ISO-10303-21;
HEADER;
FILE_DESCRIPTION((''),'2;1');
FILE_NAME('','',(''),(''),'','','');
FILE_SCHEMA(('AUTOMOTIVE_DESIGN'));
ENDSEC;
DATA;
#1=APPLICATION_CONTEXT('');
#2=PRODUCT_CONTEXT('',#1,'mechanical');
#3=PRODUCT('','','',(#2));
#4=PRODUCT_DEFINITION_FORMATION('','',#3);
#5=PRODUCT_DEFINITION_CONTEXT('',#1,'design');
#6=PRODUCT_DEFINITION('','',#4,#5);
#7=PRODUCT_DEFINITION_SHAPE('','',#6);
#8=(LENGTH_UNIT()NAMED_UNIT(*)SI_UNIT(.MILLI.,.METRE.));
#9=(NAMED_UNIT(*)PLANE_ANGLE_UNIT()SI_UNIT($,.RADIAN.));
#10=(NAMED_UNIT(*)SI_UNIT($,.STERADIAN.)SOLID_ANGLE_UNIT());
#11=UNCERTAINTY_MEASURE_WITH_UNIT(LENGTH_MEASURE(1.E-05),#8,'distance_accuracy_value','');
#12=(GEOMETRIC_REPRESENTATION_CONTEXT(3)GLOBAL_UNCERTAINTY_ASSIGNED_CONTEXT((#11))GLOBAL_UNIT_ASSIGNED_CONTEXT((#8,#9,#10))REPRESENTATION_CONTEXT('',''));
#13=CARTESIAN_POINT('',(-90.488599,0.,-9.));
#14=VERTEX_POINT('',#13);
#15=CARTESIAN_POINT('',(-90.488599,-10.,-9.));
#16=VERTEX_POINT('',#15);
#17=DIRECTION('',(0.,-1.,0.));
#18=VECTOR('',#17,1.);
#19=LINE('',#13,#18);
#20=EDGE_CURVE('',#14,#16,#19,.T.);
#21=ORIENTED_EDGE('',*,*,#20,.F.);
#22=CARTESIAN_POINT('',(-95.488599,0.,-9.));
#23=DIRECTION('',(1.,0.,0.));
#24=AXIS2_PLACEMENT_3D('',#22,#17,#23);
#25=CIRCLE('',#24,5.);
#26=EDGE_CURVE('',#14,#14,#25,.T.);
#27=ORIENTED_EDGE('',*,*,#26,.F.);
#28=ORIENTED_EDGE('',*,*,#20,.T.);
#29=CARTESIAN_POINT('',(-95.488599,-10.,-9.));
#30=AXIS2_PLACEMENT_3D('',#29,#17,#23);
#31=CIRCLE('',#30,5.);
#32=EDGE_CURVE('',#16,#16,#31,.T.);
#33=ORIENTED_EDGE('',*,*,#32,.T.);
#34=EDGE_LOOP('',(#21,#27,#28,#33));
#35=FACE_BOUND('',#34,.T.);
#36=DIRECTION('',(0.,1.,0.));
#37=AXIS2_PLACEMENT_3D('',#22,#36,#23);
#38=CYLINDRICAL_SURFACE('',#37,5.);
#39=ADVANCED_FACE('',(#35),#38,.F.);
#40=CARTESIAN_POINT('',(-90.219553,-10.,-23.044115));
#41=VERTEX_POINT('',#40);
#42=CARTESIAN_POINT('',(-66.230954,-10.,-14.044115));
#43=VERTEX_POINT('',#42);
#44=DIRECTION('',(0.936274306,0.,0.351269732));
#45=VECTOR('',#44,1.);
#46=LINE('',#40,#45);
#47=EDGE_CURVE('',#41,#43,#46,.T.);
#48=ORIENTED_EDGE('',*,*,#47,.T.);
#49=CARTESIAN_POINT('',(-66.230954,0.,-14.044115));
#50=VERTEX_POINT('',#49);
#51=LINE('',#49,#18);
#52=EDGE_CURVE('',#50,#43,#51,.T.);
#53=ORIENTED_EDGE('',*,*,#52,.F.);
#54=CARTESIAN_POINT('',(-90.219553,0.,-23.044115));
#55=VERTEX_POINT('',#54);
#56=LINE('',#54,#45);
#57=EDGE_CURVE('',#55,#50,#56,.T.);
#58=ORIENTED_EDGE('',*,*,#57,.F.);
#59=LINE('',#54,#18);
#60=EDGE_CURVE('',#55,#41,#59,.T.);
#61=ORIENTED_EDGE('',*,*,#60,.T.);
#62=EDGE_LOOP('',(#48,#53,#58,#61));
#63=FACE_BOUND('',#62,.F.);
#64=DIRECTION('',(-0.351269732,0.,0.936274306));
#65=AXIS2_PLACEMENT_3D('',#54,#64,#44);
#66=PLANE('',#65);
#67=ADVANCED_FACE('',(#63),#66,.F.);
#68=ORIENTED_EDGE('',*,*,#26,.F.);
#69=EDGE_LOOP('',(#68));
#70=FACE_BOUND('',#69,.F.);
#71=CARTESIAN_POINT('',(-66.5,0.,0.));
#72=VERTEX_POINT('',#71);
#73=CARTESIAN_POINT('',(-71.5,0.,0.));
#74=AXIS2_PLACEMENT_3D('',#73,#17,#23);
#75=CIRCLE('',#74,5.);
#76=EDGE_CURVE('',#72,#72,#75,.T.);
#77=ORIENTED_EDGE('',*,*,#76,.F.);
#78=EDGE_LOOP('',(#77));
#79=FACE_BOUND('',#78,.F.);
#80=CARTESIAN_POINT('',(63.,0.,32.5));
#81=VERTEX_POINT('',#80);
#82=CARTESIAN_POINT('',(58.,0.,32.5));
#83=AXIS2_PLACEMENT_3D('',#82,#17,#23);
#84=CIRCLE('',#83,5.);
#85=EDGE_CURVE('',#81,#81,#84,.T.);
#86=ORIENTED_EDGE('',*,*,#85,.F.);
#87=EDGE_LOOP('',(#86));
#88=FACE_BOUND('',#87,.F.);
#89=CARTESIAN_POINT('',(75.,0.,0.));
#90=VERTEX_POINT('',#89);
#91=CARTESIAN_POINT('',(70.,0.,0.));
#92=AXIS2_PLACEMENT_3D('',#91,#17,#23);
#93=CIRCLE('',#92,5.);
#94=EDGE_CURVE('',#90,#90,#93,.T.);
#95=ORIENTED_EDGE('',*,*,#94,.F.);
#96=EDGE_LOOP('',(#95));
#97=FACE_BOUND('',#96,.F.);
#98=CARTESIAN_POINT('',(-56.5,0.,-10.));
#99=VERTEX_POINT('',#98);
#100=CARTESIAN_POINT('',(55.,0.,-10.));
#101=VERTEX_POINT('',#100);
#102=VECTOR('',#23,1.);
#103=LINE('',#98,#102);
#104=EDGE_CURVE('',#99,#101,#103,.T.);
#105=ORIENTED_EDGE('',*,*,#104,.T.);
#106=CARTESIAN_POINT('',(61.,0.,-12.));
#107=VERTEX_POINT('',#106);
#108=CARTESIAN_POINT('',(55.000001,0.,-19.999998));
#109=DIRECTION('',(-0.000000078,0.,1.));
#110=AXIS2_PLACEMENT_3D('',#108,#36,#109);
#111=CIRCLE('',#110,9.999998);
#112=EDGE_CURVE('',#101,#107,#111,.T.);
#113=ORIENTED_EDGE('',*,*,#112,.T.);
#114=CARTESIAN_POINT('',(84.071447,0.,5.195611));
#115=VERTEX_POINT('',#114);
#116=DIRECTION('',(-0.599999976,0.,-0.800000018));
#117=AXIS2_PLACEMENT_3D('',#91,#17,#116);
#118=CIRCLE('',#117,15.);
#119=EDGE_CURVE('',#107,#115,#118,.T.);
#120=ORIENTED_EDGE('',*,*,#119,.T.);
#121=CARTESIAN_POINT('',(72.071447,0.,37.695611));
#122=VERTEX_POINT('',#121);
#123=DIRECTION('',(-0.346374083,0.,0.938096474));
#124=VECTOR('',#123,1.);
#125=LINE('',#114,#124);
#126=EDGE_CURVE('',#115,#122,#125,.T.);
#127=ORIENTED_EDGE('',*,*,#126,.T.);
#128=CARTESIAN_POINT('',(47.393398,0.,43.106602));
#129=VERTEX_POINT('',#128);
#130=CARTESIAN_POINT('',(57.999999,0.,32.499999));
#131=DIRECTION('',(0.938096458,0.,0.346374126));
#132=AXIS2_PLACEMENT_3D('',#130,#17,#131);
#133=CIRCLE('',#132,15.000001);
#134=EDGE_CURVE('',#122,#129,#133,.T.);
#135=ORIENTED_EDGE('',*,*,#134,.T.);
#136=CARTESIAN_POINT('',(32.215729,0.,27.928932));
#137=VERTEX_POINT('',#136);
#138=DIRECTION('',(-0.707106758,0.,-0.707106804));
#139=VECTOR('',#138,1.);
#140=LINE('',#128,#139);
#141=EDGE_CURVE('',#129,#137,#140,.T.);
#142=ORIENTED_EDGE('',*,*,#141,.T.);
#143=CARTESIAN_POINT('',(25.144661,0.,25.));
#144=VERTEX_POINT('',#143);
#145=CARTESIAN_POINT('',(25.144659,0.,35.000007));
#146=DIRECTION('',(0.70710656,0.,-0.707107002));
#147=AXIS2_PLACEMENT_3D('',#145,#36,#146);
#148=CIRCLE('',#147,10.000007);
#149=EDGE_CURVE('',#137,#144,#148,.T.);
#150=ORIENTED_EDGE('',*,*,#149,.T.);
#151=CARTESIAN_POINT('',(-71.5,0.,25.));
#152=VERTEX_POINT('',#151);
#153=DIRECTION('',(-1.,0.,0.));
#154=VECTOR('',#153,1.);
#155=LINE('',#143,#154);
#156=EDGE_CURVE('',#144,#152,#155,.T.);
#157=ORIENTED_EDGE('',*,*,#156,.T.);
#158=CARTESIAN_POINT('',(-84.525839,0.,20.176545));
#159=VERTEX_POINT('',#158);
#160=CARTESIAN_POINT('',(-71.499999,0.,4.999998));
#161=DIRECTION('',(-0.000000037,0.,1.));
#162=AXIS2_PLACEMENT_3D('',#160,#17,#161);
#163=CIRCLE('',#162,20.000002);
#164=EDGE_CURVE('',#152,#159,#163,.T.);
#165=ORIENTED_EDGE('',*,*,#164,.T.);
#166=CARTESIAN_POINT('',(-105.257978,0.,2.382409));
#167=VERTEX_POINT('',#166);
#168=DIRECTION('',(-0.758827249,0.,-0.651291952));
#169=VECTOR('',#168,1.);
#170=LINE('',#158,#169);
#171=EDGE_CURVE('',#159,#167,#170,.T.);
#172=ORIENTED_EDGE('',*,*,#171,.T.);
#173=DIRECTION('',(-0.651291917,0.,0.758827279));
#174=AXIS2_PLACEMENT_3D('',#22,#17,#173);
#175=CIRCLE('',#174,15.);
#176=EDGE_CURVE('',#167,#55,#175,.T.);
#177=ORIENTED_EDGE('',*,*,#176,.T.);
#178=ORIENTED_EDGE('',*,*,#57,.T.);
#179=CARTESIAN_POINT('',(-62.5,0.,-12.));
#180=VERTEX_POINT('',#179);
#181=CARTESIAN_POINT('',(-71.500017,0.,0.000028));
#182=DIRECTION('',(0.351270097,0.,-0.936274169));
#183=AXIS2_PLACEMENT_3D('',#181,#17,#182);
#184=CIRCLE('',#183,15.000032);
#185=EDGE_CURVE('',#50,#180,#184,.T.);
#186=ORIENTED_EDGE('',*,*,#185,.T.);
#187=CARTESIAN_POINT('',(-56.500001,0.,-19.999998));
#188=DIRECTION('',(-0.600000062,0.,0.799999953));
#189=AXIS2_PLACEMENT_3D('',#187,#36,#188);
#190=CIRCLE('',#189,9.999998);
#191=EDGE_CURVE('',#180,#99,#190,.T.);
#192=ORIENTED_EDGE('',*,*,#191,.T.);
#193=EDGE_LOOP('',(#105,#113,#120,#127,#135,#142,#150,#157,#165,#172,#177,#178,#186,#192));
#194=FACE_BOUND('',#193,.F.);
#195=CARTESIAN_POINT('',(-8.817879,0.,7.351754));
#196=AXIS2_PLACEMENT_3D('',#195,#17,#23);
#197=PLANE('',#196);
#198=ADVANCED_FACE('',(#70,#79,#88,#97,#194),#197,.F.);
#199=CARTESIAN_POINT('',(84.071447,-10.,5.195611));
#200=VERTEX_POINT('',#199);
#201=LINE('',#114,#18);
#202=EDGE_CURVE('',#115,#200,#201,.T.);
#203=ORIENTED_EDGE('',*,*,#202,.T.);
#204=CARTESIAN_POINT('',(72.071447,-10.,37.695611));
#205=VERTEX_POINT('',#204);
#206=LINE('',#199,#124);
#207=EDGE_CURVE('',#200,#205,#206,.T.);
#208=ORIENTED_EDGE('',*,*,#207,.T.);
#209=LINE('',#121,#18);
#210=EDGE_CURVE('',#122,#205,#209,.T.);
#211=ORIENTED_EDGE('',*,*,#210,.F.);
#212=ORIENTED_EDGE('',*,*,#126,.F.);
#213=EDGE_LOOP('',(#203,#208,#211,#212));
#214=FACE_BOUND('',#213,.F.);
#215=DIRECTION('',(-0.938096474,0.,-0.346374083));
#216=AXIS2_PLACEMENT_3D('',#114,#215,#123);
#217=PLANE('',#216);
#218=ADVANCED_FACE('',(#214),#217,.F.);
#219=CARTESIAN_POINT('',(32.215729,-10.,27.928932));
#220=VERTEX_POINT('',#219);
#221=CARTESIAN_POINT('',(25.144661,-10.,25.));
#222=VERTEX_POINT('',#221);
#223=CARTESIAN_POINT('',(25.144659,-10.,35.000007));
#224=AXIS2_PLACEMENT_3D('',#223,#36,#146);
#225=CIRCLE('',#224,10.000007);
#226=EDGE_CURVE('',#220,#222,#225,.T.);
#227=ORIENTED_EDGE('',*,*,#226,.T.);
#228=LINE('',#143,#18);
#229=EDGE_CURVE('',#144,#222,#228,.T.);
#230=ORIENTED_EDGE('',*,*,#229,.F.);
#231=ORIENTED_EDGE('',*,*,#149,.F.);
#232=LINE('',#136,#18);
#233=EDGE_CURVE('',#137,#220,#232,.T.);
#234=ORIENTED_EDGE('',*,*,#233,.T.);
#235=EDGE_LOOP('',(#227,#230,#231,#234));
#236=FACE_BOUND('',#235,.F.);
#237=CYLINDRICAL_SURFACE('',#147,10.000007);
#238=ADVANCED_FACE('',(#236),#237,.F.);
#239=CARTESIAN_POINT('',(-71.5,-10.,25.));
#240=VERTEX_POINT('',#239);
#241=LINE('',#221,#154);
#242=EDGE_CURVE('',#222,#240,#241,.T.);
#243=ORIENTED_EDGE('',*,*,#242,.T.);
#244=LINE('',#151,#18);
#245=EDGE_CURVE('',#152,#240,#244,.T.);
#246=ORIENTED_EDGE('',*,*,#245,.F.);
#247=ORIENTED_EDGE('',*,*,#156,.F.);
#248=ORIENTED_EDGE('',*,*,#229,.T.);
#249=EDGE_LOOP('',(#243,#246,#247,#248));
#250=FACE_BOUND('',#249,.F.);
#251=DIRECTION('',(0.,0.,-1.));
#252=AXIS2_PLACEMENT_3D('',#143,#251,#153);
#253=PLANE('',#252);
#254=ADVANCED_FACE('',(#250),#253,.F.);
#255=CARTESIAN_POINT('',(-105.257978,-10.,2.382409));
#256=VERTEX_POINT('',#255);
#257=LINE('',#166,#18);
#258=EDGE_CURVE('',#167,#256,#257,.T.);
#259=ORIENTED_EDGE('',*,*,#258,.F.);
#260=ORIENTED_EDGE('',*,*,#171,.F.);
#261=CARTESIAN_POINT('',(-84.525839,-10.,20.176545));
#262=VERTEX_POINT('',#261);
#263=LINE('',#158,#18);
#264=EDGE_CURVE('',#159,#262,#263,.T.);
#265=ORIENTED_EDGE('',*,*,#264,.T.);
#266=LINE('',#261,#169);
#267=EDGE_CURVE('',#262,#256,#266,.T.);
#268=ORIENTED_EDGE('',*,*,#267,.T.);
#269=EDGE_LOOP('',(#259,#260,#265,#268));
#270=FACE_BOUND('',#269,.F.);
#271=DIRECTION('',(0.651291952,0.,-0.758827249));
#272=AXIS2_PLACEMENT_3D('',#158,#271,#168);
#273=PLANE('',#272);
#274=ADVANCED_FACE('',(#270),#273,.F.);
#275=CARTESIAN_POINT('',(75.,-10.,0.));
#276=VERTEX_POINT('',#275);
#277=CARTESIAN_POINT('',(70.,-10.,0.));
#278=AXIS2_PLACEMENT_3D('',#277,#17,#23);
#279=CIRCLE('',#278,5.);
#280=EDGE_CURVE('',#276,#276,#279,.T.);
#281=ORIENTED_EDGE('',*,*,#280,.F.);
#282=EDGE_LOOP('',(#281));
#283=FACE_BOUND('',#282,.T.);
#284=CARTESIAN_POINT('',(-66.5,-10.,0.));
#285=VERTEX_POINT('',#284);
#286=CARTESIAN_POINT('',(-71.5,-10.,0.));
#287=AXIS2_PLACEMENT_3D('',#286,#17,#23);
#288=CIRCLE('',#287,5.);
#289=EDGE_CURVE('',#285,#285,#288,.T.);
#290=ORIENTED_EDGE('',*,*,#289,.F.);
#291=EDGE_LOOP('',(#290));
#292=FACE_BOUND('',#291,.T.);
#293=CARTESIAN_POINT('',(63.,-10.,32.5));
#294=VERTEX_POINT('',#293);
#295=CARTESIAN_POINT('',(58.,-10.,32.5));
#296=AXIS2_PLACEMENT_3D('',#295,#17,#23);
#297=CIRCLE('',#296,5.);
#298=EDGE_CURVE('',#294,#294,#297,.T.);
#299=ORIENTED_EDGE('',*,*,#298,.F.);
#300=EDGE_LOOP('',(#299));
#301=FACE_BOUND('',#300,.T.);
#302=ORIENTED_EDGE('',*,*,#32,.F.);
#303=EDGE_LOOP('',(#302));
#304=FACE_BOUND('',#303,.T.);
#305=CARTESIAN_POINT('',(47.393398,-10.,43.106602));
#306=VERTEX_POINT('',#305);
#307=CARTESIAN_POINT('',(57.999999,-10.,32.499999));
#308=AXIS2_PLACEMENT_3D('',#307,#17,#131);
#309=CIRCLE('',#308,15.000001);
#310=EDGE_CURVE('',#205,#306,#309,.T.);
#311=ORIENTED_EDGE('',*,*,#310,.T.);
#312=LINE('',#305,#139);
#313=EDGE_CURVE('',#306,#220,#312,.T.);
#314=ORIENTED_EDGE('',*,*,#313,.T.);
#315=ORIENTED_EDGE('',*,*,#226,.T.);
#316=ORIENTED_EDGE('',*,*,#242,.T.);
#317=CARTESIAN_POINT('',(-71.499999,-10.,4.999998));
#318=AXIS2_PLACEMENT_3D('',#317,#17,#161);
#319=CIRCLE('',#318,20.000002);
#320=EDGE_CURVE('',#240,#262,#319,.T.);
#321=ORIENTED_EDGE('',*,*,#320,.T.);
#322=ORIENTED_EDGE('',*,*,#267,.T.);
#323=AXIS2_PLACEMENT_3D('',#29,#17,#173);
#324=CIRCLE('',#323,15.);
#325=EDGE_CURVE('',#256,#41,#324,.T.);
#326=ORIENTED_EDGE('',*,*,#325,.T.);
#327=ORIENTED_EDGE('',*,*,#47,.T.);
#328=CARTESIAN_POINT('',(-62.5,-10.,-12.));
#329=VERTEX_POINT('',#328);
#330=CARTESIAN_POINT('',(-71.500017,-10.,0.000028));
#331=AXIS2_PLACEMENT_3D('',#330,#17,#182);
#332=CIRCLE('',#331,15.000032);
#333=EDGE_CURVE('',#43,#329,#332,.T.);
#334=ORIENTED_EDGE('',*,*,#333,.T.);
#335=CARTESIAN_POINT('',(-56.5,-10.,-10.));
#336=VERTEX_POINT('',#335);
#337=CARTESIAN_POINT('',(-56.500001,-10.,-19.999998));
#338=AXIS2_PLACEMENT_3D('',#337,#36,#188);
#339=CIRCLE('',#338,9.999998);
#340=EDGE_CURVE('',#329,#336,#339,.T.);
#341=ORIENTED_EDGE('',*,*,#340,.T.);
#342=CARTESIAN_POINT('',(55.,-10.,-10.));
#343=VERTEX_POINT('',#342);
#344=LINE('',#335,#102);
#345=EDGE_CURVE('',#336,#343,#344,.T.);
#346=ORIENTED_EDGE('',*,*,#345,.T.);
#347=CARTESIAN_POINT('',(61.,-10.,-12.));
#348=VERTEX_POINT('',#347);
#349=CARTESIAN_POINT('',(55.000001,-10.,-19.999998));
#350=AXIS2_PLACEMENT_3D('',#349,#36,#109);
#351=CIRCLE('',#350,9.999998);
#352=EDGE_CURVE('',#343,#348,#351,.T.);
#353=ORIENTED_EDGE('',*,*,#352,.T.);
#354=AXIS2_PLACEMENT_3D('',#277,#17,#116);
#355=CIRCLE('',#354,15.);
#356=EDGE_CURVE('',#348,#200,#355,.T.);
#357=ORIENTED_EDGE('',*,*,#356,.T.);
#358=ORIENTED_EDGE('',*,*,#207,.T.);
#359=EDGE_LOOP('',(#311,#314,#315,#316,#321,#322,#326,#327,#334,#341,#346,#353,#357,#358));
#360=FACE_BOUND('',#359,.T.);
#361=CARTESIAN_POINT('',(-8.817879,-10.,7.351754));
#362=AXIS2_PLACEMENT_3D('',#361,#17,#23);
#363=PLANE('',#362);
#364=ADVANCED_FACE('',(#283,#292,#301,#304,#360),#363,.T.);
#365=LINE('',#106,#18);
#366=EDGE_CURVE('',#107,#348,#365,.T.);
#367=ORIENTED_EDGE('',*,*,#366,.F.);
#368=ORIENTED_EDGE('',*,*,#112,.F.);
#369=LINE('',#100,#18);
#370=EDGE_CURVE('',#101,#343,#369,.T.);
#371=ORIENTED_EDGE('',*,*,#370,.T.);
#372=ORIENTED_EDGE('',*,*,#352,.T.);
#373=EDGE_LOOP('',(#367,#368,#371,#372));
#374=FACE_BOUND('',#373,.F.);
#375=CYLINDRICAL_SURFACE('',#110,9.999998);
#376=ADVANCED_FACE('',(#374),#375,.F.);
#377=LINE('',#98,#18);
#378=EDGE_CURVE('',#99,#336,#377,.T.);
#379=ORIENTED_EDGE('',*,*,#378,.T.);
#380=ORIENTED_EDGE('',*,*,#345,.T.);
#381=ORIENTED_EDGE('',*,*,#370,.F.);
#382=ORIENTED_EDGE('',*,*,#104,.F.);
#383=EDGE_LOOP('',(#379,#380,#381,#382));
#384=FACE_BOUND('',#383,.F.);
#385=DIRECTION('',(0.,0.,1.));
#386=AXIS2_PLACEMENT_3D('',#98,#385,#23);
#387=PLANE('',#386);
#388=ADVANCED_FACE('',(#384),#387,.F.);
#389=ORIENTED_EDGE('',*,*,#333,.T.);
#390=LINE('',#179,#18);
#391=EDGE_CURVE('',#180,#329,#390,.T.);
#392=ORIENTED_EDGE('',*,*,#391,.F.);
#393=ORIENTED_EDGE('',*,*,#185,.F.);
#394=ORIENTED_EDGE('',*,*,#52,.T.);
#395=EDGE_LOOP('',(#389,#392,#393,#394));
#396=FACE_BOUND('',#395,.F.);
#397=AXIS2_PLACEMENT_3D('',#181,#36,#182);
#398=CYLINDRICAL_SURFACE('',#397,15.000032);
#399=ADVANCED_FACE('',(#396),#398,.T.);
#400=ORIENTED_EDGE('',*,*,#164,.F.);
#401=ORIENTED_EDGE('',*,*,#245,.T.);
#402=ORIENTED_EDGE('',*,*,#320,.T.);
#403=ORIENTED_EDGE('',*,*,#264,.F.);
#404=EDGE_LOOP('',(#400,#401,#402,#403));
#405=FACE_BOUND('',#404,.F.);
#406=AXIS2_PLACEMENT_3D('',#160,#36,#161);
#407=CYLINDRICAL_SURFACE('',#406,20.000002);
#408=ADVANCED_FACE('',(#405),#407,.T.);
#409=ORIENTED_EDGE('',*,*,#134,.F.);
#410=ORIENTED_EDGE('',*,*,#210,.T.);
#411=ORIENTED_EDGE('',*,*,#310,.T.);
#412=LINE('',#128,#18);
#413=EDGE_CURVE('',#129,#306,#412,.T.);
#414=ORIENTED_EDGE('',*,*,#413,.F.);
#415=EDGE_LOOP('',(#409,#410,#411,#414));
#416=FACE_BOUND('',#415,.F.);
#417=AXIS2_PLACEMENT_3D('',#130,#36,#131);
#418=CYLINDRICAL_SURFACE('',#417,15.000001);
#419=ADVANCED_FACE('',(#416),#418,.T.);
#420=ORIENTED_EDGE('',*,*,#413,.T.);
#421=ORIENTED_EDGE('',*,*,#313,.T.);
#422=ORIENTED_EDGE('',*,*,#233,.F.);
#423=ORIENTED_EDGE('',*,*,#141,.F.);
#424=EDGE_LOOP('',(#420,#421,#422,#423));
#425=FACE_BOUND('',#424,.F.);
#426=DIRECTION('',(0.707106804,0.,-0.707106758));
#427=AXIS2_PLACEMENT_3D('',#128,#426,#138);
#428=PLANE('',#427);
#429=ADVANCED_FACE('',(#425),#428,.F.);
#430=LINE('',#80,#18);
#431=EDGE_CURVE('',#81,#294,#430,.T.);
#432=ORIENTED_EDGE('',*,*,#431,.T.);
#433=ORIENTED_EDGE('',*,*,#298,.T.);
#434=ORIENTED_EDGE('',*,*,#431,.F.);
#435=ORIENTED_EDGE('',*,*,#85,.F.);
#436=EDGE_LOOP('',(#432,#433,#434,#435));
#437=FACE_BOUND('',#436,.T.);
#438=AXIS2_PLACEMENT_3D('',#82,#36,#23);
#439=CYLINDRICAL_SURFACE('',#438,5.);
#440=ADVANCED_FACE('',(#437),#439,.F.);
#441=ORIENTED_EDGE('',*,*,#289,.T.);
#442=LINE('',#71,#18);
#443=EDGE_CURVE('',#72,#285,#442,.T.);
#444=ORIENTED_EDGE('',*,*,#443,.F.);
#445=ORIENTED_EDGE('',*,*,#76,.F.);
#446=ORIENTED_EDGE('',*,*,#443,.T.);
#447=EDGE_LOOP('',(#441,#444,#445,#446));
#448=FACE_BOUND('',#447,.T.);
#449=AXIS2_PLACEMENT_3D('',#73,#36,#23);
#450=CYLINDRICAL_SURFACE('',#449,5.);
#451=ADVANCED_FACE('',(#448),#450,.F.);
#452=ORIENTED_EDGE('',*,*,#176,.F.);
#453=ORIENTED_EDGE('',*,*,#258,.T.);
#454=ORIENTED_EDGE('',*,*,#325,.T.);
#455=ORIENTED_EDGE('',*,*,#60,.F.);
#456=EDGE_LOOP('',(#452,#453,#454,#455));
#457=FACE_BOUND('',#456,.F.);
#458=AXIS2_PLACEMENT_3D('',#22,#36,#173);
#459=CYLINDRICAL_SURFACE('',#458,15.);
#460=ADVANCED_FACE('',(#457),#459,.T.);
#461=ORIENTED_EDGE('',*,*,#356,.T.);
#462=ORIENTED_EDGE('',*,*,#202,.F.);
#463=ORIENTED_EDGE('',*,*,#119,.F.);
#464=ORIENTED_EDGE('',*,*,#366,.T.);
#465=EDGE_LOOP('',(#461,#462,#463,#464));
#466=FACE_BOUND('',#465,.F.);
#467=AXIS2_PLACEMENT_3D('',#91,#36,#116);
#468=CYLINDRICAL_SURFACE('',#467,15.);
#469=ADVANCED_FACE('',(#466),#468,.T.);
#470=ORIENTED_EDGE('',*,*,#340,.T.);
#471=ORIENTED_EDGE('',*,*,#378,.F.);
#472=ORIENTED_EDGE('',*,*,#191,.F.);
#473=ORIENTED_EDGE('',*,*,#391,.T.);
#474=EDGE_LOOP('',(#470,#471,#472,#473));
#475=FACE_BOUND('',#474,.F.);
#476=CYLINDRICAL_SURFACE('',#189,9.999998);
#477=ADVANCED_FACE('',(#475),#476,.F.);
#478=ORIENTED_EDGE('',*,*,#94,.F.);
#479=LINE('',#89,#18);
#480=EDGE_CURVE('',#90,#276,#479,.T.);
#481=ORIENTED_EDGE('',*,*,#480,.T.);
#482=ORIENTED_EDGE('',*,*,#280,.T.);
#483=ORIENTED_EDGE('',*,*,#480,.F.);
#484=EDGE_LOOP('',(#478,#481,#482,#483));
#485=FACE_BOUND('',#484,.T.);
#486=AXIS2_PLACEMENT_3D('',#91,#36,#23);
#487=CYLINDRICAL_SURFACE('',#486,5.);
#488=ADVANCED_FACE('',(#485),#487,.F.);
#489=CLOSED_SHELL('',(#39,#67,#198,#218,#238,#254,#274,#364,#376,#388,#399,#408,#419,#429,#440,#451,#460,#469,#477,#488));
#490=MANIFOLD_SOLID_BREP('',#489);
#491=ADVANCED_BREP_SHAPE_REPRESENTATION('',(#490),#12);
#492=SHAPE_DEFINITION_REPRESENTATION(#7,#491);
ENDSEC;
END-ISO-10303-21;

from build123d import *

# Parameters (mm, degrees)
F0_R     = 5
F1_DEPTH = 10


with BuildPart() as f1:
    # F0 (on Front) → F1 (new body)
    with BuildSketch(Plane.XZ):
        with BuildLine():
            Line((-90.219553, -23.044115), (-66.230954, -14.044115))
            ThreePointArc((-66.230954, -14.044115), (-64.292641, -13.154998), (-62.5, -12))
            ThreePointArc((-62.5, -12), (-59.662278, -10.513167), (-56.5, -10))
            Line((-56.5, -10), (55, -10))
            ThreePointArc((55, -10), (58.162278, -10.513167), (61, -12))
            ThreePointArc((61, -12), (78.963936, -12.026963), (84.071447, 5.195611))
            Line((84.071447, 5.195611), (72.071447, 37.695611))
            ThreePointArc((72.071447, 37.695611), (61.21263, 47.151928), (47.393398, 43.106602))
            Line((47.393398, 43.106602), (32.215729, 27.928932))
            ThreePointArc((32.215729, 27.928932), (28.971495, 25.761205), (25.144661, 25))
            Line((25.144661, 25), (-71.5, 25))
            ThreePointArc((-71.5, 25), (-78.44511, 23.755411), (-84.525839, 20.176545))
            Line((-84.525839, 20.176545), (-105.257978, 2.382409))
            ThreePointArc((-105.257978, 2.382409), (-108.399458, -16.636081), (-90.219553, -23.044115))
        make_face()
        with Locations((-95.488599, -9)):
            Circle(F0_R, mode=Mode.SUBTRACT)
        with Locations((-71.5, 0)):
            Circle(F0_R, mode=Mode.SUBTRACT)
        with Locations((70, 0)):
            Circle(F0_R, mode=Mode.SUBTRACT)
        with Locations((58, 32.5)):
            Circle(F0_R, mode=Mode.SUBTRACT)
    extrude(amount=F1_DEPTH)


solid = f1.part
